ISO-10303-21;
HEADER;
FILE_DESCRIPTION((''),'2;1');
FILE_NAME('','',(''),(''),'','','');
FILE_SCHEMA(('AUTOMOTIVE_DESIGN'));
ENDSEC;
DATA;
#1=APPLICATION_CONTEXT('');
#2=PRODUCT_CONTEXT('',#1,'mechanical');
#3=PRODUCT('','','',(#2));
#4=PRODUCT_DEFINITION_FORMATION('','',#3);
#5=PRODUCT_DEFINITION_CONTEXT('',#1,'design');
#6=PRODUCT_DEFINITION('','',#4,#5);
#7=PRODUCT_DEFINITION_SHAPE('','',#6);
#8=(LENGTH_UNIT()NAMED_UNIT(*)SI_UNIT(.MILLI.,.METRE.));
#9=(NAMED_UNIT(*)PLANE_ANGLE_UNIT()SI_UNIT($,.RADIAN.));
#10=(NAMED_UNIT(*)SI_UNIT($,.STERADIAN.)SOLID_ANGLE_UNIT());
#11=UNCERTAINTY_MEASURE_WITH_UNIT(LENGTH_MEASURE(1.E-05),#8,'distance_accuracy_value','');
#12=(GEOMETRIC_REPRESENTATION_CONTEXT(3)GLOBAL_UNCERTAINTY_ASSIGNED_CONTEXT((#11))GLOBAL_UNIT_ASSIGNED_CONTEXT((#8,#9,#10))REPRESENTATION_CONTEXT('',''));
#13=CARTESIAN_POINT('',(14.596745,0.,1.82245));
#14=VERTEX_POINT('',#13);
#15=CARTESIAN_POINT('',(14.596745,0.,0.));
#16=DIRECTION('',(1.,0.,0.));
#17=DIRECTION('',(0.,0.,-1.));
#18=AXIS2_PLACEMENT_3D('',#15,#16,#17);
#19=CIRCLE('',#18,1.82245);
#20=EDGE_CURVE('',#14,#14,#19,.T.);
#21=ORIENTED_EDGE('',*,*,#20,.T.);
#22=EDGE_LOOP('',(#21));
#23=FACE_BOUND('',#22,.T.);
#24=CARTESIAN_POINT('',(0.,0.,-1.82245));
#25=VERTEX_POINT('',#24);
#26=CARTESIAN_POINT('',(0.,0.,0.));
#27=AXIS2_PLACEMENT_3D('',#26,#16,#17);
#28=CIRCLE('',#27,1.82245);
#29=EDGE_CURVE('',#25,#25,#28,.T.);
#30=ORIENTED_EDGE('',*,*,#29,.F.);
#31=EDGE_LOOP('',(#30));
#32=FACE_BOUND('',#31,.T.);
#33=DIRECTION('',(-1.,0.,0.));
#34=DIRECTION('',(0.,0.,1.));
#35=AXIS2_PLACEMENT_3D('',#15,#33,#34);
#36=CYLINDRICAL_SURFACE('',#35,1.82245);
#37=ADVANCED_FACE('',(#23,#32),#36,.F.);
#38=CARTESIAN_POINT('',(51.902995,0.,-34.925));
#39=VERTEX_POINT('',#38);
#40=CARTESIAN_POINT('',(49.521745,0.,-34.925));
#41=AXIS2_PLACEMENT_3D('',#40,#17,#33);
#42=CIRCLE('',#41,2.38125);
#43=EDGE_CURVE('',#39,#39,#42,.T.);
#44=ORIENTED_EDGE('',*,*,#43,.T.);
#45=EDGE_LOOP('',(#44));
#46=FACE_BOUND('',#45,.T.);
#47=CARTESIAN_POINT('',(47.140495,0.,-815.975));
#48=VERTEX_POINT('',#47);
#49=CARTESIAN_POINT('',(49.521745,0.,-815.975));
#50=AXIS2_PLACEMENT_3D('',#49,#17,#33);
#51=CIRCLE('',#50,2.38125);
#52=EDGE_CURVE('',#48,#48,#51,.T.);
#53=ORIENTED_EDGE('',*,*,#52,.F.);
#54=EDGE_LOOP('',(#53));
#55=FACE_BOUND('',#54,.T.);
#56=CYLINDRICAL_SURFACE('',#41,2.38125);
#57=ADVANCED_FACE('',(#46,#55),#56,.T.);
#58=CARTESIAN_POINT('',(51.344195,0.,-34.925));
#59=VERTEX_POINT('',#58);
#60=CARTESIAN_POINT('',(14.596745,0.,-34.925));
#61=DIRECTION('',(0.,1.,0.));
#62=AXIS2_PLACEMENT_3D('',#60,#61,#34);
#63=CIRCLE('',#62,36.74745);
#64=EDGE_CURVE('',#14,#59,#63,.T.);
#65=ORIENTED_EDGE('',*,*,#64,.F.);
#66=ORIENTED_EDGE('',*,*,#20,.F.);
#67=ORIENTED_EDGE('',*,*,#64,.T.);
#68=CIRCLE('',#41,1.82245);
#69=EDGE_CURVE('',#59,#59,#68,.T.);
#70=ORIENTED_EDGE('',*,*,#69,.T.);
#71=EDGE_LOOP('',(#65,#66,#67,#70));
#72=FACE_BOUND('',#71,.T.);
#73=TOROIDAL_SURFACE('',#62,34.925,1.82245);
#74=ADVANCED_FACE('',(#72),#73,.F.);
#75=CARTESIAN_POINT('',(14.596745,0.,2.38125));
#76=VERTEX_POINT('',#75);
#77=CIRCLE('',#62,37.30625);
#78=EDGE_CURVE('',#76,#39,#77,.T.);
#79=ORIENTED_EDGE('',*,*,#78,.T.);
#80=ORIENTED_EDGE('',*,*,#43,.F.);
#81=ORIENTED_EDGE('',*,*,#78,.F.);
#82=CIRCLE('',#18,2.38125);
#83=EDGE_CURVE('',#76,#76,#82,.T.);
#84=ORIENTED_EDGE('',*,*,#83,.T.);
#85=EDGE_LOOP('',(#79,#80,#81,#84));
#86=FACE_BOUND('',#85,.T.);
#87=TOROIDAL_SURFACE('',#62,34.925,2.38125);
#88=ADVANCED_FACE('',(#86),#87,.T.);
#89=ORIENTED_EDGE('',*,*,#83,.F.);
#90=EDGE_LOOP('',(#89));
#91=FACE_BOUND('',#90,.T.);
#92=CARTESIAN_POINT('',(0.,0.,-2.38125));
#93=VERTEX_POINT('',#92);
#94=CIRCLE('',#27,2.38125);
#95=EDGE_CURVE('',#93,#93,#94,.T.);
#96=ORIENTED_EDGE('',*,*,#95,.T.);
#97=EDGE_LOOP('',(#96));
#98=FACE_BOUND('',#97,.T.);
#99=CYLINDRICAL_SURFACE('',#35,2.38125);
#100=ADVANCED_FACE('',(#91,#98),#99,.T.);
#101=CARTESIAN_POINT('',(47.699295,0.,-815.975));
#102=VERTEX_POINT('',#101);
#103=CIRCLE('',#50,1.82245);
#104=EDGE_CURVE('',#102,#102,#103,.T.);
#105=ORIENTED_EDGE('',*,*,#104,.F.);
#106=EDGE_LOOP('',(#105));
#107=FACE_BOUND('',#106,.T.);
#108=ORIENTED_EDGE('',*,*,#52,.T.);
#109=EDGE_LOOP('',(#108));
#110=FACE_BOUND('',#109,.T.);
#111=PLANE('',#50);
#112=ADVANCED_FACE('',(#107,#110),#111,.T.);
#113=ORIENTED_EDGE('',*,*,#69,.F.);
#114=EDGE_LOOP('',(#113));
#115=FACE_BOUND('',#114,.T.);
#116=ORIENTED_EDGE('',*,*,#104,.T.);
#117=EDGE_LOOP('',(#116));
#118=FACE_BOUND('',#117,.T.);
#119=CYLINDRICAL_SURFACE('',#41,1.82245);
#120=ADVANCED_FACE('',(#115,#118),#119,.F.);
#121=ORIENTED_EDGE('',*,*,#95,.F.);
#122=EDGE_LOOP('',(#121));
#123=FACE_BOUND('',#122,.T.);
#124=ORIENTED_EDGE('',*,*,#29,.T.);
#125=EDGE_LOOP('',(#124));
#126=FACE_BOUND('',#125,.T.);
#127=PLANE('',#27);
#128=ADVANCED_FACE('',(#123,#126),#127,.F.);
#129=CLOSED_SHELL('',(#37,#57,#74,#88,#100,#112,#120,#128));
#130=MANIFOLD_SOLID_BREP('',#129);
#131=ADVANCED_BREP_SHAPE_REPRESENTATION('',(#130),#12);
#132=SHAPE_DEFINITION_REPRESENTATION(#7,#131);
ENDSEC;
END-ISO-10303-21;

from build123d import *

# Parameters (mm, degrees)
SKETCH2_R   = 2.38125
SKETCH2_R_2 = 1.82245


with BuildPart() as part:
    # Sweep1: sweep along a path in Sketch1
    with BuildLine(Plane(origin=(0, 0, 0), x_dir=(1, 0, 0), z_dir=(0, 1, 0))) as sweep1_path:
        Line((49.521745, 815.975), (49.521745, 34.925))
        ThreePointArc((49.521745, 34.925), (39.292449333, 10.229295667), (14.596745, 0))
        Line((14.596745, 0), (0, 0))
    # Sketch2 → Sweep1 (sweep)
    with BuildSketch(Plane(origin=(0, 0, 0), x_dir=(0, 0, -1), z_dir=(1, 0, 0))):
        Circle(SKETCH2_R)
        Circle(SKETCH2_R_2, mode=Mode.SUBTRACT)
    sweep(path=sweep1_path.line)


solid = part.part
